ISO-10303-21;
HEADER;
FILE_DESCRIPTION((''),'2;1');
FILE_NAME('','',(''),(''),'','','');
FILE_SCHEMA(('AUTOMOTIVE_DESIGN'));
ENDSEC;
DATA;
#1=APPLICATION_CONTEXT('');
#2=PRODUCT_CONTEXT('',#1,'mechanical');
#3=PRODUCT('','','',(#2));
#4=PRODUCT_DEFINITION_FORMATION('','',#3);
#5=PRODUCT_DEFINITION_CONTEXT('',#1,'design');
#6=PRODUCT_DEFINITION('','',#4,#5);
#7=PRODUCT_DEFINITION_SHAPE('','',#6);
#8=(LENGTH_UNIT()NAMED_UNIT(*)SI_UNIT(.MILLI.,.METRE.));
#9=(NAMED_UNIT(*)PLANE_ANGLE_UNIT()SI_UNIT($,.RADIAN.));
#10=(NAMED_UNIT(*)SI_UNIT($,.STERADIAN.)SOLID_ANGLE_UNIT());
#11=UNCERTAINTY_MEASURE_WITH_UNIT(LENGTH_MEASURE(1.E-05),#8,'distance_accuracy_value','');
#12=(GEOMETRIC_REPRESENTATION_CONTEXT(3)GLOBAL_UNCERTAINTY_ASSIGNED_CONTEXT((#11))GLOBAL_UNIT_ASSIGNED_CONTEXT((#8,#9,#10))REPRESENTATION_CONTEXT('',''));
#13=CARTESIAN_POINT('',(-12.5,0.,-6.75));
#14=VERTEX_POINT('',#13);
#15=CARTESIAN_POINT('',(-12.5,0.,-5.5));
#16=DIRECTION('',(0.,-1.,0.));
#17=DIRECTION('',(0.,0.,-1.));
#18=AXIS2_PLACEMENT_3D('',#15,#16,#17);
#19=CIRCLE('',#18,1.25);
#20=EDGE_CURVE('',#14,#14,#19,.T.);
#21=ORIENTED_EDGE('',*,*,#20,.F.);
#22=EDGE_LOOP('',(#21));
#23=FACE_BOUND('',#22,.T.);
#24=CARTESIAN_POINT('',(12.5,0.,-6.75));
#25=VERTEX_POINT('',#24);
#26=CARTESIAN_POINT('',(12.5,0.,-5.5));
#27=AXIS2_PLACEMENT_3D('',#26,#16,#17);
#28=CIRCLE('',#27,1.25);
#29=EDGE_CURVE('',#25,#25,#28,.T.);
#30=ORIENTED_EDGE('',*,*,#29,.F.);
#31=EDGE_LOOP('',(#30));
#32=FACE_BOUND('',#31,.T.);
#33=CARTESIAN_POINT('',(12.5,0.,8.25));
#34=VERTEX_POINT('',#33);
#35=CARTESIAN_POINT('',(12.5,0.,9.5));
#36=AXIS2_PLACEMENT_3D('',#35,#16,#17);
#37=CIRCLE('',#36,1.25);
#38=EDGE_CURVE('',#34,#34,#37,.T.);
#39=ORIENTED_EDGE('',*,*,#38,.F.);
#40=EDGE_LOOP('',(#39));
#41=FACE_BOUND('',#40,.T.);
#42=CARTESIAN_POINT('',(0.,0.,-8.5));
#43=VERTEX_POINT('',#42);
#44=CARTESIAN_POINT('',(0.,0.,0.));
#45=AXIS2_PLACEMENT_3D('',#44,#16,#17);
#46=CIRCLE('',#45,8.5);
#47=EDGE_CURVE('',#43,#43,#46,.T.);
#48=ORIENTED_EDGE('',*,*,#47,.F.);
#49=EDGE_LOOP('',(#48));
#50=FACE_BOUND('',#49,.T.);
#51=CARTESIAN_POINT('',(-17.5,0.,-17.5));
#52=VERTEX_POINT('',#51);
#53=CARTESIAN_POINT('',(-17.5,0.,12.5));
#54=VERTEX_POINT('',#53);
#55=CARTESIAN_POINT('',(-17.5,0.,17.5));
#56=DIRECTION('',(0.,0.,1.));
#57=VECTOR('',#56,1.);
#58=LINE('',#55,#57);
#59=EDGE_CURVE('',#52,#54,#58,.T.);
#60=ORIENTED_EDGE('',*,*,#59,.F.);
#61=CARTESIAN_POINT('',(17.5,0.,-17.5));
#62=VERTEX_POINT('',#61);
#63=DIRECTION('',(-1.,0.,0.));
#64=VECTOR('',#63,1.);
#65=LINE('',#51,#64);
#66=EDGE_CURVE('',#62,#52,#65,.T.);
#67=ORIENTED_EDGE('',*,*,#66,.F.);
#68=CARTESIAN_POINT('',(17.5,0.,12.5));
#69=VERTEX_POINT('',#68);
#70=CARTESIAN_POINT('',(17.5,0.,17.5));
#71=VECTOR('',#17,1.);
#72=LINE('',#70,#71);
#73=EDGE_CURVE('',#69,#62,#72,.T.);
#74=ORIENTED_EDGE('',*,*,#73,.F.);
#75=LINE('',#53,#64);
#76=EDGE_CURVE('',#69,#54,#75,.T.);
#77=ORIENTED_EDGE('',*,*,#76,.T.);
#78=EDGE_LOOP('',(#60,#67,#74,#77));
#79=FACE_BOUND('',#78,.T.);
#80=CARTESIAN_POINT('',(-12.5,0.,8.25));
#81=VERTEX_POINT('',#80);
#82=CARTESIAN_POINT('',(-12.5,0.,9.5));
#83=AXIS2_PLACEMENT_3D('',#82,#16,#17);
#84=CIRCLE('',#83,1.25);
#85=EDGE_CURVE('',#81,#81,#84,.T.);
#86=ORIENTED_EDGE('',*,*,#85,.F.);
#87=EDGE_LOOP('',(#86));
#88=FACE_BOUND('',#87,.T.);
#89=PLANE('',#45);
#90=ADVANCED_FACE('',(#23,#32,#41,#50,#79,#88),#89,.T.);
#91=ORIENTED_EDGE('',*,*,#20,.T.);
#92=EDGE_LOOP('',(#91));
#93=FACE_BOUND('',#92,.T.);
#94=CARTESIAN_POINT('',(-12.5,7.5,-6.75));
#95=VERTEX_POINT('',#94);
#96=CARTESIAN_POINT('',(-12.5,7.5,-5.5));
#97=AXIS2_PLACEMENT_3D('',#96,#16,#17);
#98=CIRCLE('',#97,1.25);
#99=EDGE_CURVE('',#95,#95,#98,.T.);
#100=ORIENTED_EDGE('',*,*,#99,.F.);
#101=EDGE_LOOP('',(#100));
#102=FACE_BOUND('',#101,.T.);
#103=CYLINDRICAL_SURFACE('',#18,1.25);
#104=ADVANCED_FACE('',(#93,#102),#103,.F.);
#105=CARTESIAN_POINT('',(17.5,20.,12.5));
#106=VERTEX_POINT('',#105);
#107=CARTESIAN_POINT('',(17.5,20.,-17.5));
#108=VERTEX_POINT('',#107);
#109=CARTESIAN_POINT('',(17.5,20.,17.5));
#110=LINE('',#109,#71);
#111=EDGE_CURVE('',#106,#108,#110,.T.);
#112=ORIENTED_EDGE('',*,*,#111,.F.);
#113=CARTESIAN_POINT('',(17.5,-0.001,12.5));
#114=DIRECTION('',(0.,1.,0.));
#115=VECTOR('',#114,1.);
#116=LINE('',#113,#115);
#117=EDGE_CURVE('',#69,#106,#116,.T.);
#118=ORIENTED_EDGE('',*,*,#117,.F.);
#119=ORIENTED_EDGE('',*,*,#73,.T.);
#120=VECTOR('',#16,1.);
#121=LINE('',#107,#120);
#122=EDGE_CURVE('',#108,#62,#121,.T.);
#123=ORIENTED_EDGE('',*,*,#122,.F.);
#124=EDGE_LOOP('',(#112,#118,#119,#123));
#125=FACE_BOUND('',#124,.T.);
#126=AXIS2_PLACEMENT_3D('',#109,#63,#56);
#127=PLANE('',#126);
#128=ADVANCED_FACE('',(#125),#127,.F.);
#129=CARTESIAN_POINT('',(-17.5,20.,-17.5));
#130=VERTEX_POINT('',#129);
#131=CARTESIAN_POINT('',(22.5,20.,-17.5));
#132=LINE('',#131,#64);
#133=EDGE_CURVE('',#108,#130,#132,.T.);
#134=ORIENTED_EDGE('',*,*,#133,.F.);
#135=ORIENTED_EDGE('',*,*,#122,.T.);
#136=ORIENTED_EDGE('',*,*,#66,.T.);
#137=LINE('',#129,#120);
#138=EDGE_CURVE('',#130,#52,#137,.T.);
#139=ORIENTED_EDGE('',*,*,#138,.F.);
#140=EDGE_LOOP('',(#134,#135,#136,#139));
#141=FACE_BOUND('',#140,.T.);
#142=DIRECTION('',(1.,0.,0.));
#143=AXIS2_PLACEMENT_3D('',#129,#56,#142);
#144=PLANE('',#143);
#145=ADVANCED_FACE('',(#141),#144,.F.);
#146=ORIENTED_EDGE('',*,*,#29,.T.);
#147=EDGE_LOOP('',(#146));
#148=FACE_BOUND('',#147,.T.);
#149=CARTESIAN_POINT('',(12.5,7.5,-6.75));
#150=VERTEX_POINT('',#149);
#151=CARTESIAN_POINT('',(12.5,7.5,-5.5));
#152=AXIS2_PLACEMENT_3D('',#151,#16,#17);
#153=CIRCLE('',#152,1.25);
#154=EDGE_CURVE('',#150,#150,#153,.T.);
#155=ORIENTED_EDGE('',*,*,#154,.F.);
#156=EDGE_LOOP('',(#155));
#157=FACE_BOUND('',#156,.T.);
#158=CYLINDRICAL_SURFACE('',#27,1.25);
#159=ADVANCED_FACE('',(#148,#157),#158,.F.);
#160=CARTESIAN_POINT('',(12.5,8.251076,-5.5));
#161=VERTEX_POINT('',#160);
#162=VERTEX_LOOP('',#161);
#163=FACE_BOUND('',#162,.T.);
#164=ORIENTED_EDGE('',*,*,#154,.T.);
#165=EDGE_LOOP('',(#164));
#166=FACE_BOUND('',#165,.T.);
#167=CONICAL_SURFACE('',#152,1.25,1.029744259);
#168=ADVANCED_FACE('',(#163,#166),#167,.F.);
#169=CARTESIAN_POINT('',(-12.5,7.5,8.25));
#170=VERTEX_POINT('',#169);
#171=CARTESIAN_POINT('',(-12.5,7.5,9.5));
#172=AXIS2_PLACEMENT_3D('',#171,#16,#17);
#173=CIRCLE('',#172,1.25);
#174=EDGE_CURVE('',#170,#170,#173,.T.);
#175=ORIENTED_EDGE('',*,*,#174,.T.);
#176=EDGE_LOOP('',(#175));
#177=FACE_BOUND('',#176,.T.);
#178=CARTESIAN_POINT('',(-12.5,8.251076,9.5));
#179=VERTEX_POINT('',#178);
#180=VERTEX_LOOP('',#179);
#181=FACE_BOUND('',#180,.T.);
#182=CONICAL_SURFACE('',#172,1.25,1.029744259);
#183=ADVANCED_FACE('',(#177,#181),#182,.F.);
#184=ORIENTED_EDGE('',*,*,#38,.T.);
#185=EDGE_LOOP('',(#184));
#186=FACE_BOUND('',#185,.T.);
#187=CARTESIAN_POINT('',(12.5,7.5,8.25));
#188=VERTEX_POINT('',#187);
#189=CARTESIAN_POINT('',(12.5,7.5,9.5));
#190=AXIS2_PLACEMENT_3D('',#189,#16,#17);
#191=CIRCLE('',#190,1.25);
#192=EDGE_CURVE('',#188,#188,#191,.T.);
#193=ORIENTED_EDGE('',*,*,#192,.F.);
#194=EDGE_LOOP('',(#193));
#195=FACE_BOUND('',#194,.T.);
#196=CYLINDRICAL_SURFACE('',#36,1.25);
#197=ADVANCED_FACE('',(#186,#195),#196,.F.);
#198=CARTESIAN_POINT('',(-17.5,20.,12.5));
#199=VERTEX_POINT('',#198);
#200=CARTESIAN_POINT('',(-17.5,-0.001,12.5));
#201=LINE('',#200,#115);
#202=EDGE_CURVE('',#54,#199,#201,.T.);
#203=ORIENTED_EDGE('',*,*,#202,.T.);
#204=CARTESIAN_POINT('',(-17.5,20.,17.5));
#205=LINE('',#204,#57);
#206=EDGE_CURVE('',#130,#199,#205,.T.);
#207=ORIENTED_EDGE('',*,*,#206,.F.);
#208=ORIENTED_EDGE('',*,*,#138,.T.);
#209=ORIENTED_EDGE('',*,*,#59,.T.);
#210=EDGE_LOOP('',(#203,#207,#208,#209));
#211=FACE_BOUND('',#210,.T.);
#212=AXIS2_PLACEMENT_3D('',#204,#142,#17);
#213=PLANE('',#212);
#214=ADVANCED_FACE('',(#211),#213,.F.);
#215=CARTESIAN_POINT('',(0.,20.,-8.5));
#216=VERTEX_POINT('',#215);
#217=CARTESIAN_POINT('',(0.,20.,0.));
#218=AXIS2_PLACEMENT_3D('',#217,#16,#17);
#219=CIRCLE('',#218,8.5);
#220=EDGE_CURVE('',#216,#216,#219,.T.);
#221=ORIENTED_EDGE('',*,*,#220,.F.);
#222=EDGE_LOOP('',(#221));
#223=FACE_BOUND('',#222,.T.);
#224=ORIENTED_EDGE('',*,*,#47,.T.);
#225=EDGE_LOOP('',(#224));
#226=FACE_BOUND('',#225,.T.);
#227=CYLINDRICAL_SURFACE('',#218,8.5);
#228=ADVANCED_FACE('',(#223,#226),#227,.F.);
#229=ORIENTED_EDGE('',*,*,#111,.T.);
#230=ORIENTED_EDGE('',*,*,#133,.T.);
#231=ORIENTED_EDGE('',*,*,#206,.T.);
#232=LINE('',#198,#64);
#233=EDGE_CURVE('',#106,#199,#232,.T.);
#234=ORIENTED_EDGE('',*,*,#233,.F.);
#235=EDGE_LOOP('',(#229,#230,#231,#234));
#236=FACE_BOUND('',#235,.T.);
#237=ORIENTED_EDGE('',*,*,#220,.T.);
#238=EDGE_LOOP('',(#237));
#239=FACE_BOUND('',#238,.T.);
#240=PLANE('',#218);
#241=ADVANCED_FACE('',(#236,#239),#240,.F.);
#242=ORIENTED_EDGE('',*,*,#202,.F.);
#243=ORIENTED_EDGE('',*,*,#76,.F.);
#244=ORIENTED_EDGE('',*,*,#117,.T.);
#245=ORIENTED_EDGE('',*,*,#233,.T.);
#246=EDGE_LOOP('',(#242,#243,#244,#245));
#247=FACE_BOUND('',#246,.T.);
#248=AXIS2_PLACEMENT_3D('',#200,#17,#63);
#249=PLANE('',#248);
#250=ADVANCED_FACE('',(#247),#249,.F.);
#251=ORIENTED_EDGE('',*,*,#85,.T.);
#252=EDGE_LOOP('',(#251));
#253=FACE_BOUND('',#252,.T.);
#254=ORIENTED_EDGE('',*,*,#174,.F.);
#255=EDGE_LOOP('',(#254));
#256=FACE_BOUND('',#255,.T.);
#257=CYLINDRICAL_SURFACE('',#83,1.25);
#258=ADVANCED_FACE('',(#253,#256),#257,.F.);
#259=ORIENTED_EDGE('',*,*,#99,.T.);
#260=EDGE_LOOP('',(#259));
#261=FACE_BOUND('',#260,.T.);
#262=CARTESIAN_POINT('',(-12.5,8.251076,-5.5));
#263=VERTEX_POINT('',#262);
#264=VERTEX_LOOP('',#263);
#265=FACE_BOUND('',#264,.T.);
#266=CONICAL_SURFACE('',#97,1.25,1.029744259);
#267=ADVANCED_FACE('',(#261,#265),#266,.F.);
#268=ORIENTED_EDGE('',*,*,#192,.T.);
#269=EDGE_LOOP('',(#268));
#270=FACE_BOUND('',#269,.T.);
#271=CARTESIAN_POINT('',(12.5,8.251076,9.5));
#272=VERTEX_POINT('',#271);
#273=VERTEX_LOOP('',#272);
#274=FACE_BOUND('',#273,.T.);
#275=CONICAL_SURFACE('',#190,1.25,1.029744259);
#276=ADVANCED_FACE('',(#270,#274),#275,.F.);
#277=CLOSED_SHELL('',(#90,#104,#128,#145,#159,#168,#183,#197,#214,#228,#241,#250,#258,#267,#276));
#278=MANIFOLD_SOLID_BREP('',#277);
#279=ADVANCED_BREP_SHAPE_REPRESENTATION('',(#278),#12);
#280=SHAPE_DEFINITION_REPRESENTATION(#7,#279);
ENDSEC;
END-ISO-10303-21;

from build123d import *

# Parameters (mm, degrees)
SKETCH1_W             = 35
SKETCH1_H             = 35
BOSS_EXTRUDE1_DEPTH   = 20
SKETCH2_W             = 35
SKETCH2_H             = 7
BOSS_EXTRUDE2_DEPTH   = 27
SKETCH3_R             = 8.5
CUT_EXTRUDE1_DEPTH    = 20
CUT_EXTRUDE3_REACH    = 22
SKETCH7_W             = 35
SKETCH7_H             = 5
SKETCH9_W             = 7
SKETCH9_H             = 27
CUT_EXTRUDE4_DEPTH    = 40
M3_TAPPED_HOLE3_D     = 2.5
M3_TAPPED_HOLE3_DEPTH = 7.5
M3_TAPPED_HOLE3_TIP   = 0.751075774


with BuildPart() as part:
    # Sketch1 → Boss-Extrude1 (new body)
    with BuildSketch(Plane(origin=(0, 0, 0), x_dir=(1, 0, 0), z_dir=(0, 1, 0))):
        Rectangle(SKETCH1_W, SKETCH1_H)
    extrude(amount=BOSS_EXTRUDE1_DEPTH)

    # Sketch2 → Boss-Extrude2 (add)
    with BuildSketch(Plane(origin=(0, 20, 0), x_dir=(1, 0, 0), z_dir=(0, 1, 0))):
        with Locations((0, 14)):
            Rectangle(SKETCH2_W, SKETCH2_H)
    extrude(amount=BOSS_EXTRUDE2_DEPTH)

    # Sketch3 → Cut-Extrude1 (cut)
    with BuildSketch(Plane.XZ):
        Circle(SKETCH3_R)
    extrude(amount=-CUT_EXTRUDE1_DEPTH, mode=Mode.SUBTRACT)

    # Sketch7 → Cut-Extrude3 (cut, up to next)
    with BuildSketch(Plane(origin=(0, 20, 0), x_dir=(1, 0, 0), z_dir=(0, 1, 0)), mode=Mode.PRIVATE) as cut_extrude3_sk1:
        with Locations((0, -15)):
            Rectangle(SKETCH7_W, SKETCH7_H)
    cut_extrude3_tool1 = extrude(cut_extrude3_sk1.sketch, amount=-CUT_EXTRUDE3_REACH, mode=Mode.PRIVATE) & part.part
    add(cut_extrude3_tool1.solids().sort_by_distance((0, 20, 15))[0], mode=Mode.SUBTRACT)

    # Sketch9 → Cut-Extrude4 (cut)
    with BuildSketch(Plane.ZY.offset(17.5)):
        with Locations((-14, 33.5)):
            Rectangle(SKETCH9_W, SKETCH9_H)
    extrude(amount=-CUT_EXTRUDE4_DEPTH, mode=Mode.SUBTRACT)

    # M3 Tapped Hole3
    with Locations(Plane(origin=(0, 0, 0), x_dir=(-1, 0, 0), z_dir=(0, -1, 0))):
        with Locations((12.5, 5.5), (-12.5, 5.5), (-12.5, -9.5), (12.5, -9.5)):
            Hole(M3_TAPPED_HOLE3_D / 2, depth=M3_TAPPED_HOLE3_DEPTH)
            with Locations((0, 0, -(M3_TAPPED_HOLE3_DEPTH + M3_TAPPED_HOLE3_TIP / 2))):  # 118° drill point
                Cone(0, M3_TAPPED_HOLE3_D / 2, M3_TAPPED_HOLE3_TIP, mode=Mode.SUBTRACT)


solid = part.part
